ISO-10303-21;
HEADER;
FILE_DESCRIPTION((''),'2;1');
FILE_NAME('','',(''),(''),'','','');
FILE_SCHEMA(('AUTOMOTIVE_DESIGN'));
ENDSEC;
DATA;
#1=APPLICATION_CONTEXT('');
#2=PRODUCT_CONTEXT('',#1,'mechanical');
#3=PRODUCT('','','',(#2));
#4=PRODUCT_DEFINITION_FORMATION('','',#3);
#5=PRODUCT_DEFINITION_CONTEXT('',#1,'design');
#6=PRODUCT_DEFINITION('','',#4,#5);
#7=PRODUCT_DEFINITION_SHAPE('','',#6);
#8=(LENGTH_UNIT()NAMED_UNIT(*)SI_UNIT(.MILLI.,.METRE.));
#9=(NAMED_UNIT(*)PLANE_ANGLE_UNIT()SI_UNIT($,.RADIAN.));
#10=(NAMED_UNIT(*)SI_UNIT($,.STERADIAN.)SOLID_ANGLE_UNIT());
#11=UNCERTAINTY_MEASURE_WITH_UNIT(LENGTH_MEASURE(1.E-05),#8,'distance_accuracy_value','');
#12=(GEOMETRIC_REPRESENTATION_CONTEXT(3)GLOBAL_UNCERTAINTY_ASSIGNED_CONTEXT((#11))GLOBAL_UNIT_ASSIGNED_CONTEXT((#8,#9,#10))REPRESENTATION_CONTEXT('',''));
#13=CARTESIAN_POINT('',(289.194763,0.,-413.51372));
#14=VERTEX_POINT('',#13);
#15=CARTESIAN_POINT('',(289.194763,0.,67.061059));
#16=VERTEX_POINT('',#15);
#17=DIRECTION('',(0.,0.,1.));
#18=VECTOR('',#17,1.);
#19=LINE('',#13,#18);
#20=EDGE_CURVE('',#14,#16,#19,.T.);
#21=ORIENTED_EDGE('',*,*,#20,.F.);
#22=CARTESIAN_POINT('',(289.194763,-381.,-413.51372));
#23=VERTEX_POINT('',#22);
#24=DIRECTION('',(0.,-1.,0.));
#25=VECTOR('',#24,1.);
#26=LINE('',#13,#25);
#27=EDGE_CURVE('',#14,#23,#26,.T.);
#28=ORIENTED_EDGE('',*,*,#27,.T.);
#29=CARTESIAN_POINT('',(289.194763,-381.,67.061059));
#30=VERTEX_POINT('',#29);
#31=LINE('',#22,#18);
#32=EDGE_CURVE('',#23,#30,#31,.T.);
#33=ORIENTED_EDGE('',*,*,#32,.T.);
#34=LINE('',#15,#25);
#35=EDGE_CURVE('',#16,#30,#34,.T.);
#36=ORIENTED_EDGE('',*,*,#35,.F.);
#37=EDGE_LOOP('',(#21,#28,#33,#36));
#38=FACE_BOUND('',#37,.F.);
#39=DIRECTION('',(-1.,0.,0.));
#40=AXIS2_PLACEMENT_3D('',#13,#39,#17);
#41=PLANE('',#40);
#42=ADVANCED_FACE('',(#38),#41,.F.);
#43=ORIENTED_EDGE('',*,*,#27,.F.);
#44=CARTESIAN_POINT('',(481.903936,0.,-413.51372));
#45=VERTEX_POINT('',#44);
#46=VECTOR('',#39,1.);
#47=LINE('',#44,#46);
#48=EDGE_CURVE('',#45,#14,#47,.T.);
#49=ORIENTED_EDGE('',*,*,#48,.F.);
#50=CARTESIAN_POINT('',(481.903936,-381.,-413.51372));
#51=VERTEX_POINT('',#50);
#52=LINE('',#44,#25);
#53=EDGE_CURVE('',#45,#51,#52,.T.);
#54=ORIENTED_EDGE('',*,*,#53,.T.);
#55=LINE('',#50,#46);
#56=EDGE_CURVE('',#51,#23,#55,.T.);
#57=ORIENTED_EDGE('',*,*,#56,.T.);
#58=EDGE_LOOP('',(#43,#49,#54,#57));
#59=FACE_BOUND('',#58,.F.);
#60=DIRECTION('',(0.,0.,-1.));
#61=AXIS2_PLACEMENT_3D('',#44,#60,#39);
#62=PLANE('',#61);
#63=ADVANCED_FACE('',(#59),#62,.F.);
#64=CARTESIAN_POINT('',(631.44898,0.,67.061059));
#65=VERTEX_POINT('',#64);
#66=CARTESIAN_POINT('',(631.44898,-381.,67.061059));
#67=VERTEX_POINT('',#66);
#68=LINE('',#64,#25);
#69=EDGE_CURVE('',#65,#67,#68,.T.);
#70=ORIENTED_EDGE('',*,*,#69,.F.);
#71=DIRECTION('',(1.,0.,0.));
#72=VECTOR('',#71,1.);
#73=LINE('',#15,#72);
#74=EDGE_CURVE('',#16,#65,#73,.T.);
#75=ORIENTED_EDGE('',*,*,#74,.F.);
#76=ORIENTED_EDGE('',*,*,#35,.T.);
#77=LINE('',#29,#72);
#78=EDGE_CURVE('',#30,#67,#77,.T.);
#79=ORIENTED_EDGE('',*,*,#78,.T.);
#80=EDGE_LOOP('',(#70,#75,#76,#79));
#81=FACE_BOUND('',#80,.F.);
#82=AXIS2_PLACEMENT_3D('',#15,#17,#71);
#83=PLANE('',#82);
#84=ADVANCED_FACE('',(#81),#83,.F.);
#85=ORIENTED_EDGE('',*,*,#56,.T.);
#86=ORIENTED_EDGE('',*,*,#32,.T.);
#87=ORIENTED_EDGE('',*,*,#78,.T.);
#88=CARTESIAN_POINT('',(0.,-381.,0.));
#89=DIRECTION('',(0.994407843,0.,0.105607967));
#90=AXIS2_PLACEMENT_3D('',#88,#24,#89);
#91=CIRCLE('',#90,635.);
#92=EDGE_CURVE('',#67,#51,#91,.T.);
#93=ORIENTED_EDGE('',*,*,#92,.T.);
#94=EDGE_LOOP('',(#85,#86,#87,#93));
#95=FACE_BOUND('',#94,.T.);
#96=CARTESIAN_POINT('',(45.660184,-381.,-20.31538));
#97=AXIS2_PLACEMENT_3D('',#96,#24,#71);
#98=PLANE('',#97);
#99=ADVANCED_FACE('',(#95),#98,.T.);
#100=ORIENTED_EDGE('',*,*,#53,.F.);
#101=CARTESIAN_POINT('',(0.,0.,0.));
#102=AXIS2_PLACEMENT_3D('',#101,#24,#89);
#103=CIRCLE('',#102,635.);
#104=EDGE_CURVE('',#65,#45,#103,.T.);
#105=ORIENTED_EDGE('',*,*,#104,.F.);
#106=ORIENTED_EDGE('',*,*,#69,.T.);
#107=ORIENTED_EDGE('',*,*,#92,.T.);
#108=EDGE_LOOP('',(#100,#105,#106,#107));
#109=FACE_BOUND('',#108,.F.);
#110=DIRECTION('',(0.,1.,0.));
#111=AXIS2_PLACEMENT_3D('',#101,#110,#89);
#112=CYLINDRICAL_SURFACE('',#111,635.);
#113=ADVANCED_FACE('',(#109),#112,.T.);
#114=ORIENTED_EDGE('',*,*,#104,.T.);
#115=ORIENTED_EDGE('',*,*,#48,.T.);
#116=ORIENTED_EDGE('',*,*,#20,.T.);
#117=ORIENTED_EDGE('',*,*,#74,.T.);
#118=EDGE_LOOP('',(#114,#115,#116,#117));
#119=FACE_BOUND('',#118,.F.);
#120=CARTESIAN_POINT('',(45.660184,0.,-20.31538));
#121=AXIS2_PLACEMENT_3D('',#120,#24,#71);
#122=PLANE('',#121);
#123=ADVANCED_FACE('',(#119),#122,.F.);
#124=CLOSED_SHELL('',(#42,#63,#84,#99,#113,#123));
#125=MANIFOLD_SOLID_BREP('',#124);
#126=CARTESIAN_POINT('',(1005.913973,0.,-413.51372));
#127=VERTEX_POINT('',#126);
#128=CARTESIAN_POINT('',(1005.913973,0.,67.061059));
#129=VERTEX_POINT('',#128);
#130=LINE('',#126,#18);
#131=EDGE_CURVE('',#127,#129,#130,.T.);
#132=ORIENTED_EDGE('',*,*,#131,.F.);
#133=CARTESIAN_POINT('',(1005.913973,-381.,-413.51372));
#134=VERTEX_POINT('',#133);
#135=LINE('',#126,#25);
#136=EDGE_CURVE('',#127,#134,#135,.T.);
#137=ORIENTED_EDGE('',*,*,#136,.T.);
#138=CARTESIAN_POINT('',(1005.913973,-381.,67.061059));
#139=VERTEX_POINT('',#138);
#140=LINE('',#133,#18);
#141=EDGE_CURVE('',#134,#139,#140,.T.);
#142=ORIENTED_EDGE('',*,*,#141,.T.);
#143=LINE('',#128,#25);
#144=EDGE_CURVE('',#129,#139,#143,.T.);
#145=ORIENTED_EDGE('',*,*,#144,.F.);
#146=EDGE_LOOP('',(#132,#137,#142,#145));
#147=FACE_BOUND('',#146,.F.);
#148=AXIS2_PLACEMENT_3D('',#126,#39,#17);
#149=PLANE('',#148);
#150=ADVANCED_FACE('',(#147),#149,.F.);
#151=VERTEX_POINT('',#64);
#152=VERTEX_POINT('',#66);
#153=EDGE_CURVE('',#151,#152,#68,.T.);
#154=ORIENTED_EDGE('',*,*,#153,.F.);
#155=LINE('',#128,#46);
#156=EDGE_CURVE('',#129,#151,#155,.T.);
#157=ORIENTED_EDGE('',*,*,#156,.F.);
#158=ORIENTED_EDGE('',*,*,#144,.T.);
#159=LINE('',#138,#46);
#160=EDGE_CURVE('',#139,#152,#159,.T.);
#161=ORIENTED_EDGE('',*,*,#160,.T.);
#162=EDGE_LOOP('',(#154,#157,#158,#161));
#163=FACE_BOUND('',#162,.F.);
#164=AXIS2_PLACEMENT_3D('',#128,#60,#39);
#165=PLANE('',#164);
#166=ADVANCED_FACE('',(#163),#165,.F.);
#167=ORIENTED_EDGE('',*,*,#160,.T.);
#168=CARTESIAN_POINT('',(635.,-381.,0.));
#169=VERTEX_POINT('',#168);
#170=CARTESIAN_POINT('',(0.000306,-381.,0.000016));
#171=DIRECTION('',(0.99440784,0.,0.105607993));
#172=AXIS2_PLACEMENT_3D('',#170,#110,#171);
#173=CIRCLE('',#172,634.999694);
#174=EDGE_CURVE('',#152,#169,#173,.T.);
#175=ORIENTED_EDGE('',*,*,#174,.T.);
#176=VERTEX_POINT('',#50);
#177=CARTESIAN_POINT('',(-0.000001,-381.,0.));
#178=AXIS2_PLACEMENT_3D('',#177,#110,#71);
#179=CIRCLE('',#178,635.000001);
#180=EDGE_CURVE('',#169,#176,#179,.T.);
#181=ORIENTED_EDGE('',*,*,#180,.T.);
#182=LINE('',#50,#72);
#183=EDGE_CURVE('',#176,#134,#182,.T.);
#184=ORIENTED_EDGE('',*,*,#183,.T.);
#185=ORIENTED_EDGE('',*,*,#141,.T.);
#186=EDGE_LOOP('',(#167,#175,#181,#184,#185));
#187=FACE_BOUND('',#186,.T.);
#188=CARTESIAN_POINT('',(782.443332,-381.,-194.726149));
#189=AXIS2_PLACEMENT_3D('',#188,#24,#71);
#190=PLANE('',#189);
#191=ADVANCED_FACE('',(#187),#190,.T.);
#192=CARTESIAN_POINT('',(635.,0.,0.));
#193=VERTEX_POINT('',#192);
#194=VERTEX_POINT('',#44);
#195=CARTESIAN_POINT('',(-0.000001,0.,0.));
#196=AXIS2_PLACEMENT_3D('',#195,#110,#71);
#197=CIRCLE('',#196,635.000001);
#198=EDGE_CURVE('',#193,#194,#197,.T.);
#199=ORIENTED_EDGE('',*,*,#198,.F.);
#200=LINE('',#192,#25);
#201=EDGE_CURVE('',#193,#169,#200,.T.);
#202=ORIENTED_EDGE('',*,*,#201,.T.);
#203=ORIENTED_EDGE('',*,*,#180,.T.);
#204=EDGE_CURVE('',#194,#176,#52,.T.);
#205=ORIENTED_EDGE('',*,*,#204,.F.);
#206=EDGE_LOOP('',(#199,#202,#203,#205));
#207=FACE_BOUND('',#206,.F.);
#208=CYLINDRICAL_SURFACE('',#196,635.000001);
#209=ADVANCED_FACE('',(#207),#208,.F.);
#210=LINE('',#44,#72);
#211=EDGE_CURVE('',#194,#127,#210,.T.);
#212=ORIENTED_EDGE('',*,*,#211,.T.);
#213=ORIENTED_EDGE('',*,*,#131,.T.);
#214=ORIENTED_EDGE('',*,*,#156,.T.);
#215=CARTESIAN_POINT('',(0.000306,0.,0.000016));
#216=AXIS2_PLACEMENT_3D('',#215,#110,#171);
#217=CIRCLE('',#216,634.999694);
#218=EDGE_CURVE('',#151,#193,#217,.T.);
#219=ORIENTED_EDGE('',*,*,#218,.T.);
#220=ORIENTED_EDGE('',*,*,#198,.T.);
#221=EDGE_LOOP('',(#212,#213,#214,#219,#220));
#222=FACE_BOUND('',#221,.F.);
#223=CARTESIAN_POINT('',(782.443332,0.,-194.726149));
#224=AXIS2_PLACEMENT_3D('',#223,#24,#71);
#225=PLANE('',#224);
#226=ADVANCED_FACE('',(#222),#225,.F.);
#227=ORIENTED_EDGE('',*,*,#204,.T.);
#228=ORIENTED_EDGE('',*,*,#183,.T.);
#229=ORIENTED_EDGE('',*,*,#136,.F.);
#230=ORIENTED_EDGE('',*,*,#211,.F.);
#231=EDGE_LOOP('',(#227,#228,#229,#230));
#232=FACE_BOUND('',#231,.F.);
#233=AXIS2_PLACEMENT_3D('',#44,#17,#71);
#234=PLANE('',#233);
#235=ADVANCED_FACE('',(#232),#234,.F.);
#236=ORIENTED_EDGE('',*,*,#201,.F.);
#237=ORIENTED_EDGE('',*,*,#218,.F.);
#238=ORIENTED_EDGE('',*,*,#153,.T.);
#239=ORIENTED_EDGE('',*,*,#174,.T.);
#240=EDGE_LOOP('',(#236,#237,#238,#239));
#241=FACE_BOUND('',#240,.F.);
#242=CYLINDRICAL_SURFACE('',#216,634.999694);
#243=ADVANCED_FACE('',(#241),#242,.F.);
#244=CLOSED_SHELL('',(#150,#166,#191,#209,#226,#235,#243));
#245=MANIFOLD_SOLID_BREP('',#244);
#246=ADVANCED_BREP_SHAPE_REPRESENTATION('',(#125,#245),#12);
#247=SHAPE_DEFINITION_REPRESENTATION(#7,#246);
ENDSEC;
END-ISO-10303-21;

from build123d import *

# Parameters (mm, degrees)
F1_DEPTH = 381


with BuildPart() as f1:
    # F0 (on Front) → F1 (new body)
    with BuildSketch(Plane.XZ):
        with BuildLine():
            Line((289.194763, 67.061059), (631.44898, 67.061059))
            ThreePointArc((631.44898, 67.061059), (-606.322281, 188.675095), (481.903936, -413.51372))
            Line((481.903936, -413.51372), (289.194763, -413.51372))
            Line((289.194763, -413.51372), (289.194763, 67.061059))
        make_face()
        with BuildLine():
            ThreePointArc((631.44898, 67.061059), (634.111624, 33.577505), (635, 0))
            ThreePointArc((635, 0), (595.497271, -220.472221), (481.903936, -413.51372))
            Line((481.903936, -413.51372), (1005.913973, -413.51372))
            Line((1005.913973, -413.51372), (1005.913973, 67.061059))
            Line((1005.913973, 67.061059), (631.44898, 67.061059))
        make_face()
    extrude(amount=F1_DEPTH)


solid = f1.part
